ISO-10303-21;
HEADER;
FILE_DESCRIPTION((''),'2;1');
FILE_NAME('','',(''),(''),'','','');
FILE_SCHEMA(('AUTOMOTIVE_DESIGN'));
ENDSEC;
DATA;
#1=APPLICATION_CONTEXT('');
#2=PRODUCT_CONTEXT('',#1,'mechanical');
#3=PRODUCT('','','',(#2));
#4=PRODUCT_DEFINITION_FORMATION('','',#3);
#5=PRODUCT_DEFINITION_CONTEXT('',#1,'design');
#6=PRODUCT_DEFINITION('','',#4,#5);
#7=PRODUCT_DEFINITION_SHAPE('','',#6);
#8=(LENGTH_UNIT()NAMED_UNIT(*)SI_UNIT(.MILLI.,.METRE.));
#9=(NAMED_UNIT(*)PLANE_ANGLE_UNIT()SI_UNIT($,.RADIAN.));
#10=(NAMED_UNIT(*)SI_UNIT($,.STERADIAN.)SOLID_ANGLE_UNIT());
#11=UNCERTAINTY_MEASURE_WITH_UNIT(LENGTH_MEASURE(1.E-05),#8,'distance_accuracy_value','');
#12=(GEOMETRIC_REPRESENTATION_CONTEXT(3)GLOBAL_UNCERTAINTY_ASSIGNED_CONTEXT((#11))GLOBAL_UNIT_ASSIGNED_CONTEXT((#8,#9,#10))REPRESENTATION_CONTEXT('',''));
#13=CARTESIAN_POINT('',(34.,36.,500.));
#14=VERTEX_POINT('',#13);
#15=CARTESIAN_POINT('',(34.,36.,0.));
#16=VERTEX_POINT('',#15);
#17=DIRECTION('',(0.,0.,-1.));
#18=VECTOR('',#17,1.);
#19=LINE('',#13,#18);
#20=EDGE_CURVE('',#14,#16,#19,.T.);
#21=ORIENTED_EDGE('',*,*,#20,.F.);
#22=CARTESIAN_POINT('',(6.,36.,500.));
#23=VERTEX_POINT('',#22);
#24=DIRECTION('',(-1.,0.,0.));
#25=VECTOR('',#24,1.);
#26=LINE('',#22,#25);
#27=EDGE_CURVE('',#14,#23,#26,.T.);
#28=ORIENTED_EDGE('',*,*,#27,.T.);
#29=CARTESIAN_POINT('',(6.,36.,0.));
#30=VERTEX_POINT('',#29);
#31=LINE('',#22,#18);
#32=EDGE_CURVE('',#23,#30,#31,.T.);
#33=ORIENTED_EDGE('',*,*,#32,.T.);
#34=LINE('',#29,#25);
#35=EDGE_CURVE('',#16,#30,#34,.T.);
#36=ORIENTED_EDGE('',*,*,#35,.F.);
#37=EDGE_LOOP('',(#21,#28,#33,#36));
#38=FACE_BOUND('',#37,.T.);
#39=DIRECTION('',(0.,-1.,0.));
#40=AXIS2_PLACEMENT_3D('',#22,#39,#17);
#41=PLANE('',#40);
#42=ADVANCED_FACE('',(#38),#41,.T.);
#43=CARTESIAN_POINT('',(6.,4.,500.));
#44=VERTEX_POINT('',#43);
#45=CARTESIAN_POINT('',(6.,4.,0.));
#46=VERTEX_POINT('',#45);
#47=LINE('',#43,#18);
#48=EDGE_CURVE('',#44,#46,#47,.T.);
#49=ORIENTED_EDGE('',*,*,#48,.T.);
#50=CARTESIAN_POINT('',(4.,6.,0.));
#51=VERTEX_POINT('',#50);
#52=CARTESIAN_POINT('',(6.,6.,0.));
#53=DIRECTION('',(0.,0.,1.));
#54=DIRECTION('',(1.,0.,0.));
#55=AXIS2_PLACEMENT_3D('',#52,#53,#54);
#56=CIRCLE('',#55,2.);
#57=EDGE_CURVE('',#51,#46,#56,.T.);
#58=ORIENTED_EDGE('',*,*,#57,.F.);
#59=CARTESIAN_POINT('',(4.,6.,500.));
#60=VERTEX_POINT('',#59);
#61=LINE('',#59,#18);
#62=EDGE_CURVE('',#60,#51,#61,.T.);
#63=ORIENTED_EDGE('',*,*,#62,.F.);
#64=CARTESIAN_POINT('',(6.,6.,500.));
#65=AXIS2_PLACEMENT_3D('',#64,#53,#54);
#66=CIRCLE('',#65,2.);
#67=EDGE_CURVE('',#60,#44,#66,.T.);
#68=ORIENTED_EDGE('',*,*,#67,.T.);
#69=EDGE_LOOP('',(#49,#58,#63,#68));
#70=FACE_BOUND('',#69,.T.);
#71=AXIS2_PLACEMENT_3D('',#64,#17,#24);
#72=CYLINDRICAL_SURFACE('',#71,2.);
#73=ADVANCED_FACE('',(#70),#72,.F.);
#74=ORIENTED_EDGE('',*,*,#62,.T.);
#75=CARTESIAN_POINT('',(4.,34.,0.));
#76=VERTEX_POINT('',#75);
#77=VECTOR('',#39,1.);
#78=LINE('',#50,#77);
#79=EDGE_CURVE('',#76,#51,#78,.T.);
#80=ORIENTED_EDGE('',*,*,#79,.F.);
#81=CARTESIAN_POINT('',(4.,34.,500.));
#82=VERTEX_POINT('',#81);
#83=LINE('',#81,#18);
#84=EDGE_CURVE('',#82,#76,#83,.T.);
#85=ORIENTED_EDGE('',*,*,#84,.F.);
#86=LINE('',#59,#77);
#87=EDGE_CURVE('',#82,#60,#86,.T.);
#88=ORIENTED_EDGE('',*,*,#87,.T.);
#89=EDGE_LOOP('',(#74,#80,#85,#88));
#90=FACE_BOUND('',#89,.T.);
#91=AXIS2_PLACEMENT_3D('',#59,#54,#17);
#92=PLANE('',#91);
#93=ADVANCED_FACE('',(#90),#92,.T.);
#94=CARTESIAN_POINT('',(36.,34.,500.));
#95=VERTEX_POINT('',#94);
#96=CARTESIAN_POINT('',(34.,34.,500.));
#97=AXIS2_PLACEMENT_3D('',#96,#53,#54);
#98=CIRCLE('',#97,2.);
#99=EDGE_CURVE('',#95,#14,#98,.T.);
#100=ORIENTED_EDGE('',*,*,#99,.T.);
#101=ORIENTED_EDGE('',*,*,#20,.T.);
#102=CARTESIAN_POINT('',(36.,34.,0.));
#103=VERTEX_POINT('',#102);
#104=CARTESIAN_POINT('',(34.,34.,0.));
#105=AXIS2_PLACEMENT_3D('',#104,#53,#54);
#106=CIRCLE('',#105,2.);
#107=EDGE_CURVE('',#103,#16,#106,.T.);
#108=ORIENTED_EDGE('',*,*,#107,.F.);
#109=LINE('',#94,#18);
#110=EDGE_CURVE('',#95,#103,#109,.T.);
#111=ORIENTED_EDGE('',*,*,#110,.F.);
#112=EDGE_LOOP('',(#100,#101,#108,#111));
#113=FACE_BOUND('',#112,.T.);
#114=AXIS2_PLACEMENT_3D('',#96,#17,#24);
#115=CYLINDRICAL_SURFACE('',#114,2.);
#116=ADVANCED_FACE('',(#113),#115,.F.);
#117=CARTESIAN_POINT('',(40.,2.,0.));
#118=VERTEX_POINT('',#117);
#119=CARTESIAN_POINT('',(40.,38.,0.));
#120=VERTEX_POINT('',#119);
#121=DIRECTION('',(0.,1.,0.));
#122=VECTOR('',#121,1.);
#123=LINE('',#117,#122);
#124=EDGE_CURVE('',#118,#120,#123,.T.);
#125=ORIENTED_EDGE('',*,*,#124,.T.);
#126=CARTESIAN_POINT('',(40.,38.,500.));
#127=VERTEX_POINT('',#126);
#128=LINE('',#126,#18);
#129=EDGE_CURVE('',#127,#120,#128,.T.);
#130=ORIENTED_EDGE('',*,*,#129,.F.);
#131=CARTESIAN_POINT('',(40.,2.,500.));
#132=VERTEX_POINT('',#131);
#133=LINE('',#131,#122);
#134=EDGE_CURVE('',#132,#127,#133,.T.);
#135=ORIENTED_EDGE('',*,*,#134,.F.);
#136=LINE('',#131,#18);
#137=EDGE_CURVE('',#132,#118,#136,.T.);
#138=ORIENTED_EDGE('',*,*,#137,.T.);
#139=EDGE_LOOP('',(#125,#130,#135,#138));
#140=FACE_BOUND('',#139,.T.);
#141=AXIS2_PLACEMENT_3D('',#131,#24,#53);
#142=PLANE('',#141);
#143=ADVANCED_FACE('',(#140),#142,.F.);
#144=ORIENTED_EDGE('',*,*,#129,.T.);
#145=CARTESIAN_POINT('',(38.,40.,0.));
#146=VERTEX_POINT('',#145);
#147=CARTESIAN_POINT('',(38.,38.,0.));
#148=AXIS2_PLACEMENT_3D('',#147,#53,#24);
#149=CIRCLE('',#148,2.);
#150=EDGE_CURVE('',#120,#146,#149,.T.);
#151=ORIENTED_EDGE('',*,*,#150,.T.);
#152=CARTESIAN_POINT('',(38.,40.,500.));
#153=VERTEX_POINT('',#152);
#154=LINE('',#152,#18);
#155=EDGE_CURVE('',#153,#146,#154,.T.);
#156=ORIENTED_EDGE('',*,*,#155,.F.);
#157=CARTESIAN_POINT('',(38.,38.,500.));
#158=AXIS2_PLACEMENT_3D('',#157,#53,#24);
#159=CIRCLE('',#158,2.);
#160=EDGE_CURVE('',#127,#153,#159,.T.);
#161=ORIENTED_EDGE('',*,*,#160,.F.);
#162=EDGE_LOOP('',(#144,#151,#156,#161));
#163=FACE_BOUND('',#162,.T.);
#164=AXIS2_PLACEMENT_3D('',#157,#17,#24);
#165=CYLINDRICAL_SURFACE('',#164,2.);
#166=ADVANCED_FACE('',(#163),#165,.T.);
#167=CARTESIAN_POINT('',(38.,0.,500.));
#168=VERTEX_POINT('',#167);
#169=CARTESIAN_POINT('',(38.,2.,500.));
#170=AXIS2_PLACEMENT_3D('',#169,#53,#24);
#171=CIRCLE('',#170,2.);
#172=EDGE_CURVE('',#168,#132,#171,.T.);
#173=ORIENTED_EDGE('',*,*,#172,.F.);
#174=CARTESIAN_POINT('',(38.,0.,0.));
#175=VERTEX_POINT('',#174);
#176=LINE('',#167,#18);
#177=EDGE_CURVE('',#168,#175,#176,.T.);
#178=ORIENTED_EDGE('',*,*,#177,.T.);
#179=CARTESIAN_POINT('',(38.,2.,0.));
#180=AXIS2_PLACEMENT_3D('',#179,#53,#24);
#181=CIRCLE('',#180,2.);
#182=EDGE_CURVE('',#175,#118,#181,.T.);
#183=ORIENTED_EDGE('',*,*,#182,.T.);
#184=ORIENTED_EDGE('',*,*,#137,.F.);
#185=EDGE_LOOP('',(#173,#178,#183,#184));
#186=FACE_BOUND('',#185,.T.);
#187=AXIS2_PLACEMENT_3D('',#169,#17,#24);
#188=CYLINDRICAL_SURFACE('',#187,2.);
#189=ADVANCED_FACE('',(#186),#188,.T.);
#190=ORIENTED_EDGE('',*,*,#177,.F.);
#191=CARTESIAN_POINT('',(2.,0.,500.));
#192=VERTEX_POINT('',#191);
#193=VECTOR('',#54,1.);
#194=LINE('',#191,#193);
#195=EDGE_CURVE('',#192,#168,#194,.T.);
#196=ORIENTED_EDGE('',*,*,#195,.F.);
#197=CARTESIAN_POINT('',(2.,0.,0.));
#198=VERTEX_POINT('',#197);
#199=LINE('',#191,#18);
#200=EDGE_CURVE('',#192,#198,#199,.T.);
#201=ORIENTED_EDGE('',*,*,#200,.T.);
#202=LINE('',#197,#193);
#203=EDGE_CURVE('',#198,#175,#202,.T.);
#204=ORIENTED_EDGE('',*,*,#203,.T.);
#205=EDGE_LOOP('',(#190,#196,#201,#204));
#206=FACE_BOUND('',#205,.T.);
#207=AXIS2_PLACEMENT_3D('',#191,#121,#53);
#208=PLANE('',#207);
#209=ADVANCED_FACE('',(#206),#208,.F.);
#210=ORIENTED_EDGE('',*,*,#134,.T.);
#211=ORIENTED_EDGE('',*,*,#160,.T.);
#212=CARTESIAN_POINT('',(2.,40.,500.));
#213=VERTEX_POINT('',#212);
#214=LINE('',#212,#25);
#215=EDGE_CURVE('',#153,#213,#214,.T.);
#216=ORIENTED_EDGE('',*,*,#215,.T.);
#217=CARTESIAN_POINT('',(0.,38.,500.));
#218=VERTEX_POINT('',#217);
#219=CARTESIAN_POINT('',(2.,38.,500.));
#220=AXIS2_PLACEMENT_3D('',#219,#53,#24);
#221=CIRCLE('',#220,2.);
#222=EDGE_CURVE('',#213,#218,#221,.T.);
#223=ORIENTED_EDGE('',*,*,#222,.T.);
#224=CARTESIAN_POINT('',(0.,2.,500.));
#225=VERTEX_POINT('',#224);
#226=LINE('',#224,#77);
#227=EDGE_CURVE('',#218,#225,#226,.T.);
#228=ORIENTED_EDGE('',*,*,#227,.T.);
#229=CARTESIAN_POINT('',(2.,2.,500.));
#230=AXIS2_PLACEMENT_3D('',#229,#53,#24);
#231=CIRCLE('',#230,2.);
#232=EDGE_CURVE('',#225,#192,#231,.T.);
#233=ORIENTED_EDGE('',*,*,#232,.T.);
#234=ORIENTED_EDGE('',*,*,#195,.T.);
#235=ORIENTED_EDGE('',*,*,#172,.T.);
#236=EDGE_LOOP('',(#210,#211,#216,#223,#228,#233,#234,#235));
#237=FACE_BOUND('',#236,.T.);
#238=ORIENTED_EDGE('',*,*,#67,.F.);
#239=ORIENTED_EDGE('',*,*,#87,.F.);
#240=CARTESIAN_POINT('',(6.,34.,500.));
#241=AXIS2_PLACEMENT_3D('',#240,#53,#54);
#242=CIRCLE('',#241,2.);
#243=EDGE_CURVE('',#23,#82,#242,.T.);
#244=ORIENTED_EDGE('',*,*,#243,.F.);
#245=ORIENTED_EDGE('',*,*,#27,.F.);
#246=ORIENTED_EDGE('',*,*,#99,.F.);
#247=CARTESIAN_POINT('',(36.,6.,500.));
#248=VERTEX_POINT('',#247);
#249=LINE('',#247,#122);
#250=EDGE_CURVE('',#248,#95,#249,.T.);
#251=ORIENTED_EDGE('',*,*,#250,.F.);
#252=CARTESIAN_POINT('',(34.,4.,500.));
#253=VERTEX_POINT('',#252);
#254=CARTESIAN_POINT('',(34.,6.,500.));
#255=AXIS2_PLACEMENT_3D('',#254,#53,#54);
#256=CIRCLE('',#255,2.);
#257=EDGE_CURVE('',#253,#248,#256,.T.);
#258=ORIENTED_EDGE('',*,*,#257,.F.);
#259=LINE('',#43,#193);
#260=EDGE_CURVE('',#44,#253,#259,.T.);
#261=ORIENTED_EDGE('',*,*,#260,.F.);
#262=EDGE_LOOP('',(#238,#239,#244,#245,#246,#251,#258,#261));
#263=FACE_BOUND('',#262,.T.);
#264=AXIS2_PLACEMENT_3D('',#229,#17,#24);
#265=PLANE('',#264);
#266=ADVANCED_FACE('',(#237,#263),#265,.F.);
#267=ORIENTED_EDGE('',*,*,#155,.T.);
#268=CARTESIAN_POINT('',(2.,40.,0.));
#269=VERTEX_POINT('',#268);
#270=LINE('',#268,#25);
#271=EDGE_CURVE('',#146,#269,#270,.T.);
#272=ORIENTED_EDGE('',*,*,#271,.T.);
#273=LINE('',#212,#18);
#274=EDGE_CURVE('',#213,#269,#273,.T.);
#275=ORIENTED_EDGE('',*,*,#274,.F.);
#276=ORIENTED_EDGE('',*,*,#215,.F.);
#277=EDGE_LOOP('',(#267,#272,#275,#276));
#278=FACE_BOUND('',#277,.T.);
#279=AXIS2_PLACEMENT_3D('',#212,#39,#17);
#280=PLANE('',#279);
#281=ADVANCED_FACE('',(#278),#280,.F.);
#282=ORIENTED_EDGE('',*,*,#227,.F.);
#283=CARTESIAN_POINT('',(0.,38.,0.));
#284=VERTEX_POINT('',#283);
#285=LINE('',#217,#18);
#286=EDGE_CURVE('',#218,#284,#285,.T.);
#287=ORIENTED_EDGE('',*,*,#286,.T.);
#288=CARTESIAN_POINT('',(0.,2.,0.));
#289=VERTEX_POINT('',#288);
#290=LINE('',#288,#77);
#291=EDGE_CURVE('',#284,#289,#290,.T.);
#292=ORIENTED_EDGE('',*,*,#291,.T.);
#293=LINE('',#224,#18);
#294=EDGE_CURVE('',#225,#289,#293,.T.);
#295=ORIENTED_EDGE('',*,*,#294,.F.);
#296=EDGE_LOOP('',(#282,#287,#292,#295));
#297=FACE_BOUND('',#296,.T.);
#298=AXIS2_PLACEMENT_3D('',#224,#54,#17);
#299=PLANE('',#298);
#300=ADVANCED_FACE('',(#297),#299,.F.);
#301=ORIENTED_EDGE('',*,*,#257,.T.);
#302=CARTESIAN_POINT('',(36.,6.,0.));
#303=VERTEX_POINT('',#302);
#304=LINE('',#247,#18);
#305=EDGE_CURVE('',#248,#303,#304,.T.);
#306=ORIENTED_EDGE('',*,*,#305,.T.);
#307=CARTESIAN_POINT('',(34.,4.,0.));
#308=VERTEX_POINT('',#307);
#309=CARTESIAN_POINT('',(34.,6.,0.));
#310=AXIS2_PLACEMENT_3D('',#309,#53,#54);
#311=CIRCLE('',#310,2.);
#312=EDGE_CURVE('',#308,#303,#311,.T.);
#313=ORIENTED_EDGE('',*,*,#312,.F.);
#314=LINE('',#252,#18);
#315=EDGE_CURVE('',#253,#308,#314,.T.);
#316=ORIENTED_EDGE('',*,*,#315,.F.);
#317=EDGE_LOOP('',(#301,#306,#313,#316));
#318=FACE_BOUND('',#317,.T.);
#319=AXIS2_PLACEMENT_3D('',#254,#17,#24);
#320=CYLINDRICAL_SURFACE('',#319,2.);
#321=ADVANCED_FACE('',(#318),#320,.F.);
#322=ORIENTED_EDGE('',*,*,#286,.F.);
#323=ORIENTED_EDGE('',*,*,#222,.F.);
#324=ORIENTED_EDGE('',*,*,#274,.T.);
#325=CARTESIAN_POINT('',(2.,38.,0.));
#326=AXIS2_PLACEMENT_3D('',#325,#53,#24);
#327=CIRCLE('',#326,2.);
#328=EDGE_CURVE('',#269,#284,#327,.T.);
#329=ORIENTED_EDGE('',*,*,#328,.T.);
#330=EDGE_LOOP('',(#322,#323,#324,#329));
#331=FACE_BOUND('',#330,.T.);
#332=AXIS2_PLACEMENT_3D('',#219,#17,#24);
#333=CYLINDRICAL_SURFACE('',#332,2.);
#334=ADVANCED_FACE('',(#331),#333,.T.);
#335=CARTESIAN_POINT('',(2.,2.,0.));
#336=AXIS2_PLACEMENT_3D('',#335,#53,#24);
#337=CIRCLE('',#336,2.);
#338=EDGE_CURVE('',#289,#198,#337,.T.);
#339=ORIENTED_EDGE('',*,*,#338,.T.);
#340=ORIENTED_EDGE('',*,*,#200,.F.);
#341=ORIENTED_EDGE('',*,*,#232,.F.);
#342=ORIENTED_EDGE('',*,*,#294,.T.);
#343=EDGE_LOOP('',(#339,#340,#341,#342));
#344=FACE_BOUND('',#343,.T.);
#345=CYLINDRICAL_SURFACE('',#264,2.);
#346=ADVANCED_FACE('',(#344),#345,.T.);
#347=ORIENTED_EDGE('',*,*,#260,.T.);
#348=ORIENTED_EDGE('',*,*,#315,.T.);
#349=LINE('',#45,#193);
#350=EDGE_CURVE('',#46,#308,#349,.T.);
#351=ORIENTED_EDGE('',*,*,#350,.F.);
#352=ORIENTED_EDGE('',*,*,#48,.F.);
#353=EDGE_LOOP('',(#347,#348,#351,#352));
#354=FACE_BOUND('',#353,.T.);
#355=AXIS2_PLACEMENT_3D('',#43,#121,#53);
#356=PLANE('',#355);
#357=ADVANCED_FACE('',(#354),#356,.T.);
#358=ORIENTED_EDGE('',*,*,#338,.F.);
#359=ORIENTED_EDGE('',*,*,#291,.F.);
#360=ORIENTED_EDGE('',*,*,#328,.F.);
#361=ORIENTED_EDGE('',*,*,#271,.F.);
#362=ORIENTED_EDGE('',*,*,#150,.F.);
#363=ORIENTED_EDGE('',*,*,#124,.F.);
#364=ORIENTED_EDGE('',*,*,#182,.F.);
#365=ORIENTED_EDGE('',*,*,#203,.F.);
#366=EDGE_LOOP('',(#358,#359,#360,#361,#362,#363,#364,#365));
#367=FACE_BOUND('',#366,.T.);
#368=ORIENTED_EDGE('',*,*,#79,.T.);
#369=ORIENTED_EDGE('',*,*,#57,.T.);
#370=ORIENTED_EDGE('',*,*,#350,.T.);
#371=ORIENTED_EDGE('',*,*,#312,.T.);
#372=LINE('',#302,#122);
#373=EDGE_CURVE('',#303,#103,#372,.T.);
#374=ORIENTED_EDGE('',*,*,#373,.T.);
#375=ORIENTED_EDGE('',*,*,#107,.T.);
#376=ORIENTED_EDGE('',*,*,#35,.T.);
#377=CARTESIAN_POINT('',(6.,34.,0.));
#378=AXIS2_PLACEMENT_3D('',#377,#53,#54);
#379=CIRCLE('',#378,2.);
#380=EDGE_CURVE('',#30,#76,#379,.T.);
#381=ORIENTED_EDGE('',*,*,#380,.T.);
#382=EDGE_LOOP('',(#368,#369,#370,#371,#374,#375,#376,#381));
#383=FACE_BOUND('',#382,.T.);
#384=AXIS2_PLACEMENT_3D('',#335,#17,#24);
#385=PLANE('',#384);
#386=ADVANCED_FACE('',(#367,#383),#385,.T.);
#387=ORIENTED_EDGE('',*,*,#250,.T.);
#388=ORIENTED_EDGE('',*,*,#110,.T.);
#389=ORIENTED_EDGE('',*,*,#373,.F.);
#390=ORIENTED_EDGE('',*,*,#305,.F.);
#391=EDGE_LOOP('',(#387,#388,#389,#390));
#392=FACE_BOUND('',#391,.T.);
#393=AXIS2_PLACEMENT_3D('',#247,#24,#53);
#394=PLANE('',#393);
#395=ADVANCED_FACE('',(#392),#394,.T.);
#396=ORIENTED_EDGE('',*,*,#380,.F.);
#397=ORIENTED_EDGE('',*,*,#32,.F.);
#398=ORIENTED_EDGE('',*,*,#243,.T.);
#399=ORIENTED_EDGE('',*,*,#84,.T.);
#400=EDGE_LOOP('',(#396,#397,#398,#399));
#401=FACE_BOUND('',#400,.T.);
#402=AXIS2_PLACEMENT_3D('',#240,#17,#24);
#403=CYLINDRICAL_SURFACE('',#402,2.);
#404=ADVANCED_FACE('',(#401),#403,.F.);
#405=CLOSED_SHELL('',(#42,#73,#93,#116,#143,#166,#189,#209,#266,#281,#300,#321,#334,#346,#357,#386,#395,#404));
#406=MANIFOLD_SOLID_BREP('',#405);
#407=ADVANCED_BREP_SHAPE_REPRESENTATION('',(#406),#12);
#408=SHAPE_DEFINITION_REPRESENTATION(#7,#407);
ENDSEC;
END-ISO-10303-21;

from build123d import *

# Parameters (mm, degrees)
BOSS_EXTRU_1_DEPTH = 500


with BuildPart() as part:
    # Esquisse2 → Boss.-Extru.1 (new body)
    with BuildSketch(Plane.XY):
        with BuildLine():
            Line((2, 0), (38, 0))
            ThreePointArc((38, 0), (39.414213562, 0.585786438), (40, 2))
            Line((40, 2), (40, 38))
            ThreePointArc((40, 38), (39.414213562, 39.414213562), (38, 40))
            Line((38, 40), (2, 40))
            ThreePointArc((2, 40), (0.585786438, 39.414213562), (0, 38))
            Line((0, 38), (0, 2))
            ThreePointArc((0, 2), (0.585786438, 0.585786438), (2, 0))
        make_face()
        with BuildLine():
            Line((6, 4), (34, 4))
            ThreePointArc((34, 4), (35.414213562, 4.585786438), (36, 6))
            Line((36, 6), (36, 34))
            ThreePointArc((36, 34), (35.414213562, 35.414213562), (34, 36))
            Line((34, 36), (6, 36))
            ThreePointArc((6, 36), (4.585786438, 35.414213562), (4, 34))
            Line((4, 34), (4, 6))
            ThreePointArc((4, 6), (4.585786438, 4.585786438), (6, 4))
        make_face(mode=Mode.SUBTRACT)
    extrude(amount=BOSS_EXTRU_1_DEPTH)


solid = part.part
